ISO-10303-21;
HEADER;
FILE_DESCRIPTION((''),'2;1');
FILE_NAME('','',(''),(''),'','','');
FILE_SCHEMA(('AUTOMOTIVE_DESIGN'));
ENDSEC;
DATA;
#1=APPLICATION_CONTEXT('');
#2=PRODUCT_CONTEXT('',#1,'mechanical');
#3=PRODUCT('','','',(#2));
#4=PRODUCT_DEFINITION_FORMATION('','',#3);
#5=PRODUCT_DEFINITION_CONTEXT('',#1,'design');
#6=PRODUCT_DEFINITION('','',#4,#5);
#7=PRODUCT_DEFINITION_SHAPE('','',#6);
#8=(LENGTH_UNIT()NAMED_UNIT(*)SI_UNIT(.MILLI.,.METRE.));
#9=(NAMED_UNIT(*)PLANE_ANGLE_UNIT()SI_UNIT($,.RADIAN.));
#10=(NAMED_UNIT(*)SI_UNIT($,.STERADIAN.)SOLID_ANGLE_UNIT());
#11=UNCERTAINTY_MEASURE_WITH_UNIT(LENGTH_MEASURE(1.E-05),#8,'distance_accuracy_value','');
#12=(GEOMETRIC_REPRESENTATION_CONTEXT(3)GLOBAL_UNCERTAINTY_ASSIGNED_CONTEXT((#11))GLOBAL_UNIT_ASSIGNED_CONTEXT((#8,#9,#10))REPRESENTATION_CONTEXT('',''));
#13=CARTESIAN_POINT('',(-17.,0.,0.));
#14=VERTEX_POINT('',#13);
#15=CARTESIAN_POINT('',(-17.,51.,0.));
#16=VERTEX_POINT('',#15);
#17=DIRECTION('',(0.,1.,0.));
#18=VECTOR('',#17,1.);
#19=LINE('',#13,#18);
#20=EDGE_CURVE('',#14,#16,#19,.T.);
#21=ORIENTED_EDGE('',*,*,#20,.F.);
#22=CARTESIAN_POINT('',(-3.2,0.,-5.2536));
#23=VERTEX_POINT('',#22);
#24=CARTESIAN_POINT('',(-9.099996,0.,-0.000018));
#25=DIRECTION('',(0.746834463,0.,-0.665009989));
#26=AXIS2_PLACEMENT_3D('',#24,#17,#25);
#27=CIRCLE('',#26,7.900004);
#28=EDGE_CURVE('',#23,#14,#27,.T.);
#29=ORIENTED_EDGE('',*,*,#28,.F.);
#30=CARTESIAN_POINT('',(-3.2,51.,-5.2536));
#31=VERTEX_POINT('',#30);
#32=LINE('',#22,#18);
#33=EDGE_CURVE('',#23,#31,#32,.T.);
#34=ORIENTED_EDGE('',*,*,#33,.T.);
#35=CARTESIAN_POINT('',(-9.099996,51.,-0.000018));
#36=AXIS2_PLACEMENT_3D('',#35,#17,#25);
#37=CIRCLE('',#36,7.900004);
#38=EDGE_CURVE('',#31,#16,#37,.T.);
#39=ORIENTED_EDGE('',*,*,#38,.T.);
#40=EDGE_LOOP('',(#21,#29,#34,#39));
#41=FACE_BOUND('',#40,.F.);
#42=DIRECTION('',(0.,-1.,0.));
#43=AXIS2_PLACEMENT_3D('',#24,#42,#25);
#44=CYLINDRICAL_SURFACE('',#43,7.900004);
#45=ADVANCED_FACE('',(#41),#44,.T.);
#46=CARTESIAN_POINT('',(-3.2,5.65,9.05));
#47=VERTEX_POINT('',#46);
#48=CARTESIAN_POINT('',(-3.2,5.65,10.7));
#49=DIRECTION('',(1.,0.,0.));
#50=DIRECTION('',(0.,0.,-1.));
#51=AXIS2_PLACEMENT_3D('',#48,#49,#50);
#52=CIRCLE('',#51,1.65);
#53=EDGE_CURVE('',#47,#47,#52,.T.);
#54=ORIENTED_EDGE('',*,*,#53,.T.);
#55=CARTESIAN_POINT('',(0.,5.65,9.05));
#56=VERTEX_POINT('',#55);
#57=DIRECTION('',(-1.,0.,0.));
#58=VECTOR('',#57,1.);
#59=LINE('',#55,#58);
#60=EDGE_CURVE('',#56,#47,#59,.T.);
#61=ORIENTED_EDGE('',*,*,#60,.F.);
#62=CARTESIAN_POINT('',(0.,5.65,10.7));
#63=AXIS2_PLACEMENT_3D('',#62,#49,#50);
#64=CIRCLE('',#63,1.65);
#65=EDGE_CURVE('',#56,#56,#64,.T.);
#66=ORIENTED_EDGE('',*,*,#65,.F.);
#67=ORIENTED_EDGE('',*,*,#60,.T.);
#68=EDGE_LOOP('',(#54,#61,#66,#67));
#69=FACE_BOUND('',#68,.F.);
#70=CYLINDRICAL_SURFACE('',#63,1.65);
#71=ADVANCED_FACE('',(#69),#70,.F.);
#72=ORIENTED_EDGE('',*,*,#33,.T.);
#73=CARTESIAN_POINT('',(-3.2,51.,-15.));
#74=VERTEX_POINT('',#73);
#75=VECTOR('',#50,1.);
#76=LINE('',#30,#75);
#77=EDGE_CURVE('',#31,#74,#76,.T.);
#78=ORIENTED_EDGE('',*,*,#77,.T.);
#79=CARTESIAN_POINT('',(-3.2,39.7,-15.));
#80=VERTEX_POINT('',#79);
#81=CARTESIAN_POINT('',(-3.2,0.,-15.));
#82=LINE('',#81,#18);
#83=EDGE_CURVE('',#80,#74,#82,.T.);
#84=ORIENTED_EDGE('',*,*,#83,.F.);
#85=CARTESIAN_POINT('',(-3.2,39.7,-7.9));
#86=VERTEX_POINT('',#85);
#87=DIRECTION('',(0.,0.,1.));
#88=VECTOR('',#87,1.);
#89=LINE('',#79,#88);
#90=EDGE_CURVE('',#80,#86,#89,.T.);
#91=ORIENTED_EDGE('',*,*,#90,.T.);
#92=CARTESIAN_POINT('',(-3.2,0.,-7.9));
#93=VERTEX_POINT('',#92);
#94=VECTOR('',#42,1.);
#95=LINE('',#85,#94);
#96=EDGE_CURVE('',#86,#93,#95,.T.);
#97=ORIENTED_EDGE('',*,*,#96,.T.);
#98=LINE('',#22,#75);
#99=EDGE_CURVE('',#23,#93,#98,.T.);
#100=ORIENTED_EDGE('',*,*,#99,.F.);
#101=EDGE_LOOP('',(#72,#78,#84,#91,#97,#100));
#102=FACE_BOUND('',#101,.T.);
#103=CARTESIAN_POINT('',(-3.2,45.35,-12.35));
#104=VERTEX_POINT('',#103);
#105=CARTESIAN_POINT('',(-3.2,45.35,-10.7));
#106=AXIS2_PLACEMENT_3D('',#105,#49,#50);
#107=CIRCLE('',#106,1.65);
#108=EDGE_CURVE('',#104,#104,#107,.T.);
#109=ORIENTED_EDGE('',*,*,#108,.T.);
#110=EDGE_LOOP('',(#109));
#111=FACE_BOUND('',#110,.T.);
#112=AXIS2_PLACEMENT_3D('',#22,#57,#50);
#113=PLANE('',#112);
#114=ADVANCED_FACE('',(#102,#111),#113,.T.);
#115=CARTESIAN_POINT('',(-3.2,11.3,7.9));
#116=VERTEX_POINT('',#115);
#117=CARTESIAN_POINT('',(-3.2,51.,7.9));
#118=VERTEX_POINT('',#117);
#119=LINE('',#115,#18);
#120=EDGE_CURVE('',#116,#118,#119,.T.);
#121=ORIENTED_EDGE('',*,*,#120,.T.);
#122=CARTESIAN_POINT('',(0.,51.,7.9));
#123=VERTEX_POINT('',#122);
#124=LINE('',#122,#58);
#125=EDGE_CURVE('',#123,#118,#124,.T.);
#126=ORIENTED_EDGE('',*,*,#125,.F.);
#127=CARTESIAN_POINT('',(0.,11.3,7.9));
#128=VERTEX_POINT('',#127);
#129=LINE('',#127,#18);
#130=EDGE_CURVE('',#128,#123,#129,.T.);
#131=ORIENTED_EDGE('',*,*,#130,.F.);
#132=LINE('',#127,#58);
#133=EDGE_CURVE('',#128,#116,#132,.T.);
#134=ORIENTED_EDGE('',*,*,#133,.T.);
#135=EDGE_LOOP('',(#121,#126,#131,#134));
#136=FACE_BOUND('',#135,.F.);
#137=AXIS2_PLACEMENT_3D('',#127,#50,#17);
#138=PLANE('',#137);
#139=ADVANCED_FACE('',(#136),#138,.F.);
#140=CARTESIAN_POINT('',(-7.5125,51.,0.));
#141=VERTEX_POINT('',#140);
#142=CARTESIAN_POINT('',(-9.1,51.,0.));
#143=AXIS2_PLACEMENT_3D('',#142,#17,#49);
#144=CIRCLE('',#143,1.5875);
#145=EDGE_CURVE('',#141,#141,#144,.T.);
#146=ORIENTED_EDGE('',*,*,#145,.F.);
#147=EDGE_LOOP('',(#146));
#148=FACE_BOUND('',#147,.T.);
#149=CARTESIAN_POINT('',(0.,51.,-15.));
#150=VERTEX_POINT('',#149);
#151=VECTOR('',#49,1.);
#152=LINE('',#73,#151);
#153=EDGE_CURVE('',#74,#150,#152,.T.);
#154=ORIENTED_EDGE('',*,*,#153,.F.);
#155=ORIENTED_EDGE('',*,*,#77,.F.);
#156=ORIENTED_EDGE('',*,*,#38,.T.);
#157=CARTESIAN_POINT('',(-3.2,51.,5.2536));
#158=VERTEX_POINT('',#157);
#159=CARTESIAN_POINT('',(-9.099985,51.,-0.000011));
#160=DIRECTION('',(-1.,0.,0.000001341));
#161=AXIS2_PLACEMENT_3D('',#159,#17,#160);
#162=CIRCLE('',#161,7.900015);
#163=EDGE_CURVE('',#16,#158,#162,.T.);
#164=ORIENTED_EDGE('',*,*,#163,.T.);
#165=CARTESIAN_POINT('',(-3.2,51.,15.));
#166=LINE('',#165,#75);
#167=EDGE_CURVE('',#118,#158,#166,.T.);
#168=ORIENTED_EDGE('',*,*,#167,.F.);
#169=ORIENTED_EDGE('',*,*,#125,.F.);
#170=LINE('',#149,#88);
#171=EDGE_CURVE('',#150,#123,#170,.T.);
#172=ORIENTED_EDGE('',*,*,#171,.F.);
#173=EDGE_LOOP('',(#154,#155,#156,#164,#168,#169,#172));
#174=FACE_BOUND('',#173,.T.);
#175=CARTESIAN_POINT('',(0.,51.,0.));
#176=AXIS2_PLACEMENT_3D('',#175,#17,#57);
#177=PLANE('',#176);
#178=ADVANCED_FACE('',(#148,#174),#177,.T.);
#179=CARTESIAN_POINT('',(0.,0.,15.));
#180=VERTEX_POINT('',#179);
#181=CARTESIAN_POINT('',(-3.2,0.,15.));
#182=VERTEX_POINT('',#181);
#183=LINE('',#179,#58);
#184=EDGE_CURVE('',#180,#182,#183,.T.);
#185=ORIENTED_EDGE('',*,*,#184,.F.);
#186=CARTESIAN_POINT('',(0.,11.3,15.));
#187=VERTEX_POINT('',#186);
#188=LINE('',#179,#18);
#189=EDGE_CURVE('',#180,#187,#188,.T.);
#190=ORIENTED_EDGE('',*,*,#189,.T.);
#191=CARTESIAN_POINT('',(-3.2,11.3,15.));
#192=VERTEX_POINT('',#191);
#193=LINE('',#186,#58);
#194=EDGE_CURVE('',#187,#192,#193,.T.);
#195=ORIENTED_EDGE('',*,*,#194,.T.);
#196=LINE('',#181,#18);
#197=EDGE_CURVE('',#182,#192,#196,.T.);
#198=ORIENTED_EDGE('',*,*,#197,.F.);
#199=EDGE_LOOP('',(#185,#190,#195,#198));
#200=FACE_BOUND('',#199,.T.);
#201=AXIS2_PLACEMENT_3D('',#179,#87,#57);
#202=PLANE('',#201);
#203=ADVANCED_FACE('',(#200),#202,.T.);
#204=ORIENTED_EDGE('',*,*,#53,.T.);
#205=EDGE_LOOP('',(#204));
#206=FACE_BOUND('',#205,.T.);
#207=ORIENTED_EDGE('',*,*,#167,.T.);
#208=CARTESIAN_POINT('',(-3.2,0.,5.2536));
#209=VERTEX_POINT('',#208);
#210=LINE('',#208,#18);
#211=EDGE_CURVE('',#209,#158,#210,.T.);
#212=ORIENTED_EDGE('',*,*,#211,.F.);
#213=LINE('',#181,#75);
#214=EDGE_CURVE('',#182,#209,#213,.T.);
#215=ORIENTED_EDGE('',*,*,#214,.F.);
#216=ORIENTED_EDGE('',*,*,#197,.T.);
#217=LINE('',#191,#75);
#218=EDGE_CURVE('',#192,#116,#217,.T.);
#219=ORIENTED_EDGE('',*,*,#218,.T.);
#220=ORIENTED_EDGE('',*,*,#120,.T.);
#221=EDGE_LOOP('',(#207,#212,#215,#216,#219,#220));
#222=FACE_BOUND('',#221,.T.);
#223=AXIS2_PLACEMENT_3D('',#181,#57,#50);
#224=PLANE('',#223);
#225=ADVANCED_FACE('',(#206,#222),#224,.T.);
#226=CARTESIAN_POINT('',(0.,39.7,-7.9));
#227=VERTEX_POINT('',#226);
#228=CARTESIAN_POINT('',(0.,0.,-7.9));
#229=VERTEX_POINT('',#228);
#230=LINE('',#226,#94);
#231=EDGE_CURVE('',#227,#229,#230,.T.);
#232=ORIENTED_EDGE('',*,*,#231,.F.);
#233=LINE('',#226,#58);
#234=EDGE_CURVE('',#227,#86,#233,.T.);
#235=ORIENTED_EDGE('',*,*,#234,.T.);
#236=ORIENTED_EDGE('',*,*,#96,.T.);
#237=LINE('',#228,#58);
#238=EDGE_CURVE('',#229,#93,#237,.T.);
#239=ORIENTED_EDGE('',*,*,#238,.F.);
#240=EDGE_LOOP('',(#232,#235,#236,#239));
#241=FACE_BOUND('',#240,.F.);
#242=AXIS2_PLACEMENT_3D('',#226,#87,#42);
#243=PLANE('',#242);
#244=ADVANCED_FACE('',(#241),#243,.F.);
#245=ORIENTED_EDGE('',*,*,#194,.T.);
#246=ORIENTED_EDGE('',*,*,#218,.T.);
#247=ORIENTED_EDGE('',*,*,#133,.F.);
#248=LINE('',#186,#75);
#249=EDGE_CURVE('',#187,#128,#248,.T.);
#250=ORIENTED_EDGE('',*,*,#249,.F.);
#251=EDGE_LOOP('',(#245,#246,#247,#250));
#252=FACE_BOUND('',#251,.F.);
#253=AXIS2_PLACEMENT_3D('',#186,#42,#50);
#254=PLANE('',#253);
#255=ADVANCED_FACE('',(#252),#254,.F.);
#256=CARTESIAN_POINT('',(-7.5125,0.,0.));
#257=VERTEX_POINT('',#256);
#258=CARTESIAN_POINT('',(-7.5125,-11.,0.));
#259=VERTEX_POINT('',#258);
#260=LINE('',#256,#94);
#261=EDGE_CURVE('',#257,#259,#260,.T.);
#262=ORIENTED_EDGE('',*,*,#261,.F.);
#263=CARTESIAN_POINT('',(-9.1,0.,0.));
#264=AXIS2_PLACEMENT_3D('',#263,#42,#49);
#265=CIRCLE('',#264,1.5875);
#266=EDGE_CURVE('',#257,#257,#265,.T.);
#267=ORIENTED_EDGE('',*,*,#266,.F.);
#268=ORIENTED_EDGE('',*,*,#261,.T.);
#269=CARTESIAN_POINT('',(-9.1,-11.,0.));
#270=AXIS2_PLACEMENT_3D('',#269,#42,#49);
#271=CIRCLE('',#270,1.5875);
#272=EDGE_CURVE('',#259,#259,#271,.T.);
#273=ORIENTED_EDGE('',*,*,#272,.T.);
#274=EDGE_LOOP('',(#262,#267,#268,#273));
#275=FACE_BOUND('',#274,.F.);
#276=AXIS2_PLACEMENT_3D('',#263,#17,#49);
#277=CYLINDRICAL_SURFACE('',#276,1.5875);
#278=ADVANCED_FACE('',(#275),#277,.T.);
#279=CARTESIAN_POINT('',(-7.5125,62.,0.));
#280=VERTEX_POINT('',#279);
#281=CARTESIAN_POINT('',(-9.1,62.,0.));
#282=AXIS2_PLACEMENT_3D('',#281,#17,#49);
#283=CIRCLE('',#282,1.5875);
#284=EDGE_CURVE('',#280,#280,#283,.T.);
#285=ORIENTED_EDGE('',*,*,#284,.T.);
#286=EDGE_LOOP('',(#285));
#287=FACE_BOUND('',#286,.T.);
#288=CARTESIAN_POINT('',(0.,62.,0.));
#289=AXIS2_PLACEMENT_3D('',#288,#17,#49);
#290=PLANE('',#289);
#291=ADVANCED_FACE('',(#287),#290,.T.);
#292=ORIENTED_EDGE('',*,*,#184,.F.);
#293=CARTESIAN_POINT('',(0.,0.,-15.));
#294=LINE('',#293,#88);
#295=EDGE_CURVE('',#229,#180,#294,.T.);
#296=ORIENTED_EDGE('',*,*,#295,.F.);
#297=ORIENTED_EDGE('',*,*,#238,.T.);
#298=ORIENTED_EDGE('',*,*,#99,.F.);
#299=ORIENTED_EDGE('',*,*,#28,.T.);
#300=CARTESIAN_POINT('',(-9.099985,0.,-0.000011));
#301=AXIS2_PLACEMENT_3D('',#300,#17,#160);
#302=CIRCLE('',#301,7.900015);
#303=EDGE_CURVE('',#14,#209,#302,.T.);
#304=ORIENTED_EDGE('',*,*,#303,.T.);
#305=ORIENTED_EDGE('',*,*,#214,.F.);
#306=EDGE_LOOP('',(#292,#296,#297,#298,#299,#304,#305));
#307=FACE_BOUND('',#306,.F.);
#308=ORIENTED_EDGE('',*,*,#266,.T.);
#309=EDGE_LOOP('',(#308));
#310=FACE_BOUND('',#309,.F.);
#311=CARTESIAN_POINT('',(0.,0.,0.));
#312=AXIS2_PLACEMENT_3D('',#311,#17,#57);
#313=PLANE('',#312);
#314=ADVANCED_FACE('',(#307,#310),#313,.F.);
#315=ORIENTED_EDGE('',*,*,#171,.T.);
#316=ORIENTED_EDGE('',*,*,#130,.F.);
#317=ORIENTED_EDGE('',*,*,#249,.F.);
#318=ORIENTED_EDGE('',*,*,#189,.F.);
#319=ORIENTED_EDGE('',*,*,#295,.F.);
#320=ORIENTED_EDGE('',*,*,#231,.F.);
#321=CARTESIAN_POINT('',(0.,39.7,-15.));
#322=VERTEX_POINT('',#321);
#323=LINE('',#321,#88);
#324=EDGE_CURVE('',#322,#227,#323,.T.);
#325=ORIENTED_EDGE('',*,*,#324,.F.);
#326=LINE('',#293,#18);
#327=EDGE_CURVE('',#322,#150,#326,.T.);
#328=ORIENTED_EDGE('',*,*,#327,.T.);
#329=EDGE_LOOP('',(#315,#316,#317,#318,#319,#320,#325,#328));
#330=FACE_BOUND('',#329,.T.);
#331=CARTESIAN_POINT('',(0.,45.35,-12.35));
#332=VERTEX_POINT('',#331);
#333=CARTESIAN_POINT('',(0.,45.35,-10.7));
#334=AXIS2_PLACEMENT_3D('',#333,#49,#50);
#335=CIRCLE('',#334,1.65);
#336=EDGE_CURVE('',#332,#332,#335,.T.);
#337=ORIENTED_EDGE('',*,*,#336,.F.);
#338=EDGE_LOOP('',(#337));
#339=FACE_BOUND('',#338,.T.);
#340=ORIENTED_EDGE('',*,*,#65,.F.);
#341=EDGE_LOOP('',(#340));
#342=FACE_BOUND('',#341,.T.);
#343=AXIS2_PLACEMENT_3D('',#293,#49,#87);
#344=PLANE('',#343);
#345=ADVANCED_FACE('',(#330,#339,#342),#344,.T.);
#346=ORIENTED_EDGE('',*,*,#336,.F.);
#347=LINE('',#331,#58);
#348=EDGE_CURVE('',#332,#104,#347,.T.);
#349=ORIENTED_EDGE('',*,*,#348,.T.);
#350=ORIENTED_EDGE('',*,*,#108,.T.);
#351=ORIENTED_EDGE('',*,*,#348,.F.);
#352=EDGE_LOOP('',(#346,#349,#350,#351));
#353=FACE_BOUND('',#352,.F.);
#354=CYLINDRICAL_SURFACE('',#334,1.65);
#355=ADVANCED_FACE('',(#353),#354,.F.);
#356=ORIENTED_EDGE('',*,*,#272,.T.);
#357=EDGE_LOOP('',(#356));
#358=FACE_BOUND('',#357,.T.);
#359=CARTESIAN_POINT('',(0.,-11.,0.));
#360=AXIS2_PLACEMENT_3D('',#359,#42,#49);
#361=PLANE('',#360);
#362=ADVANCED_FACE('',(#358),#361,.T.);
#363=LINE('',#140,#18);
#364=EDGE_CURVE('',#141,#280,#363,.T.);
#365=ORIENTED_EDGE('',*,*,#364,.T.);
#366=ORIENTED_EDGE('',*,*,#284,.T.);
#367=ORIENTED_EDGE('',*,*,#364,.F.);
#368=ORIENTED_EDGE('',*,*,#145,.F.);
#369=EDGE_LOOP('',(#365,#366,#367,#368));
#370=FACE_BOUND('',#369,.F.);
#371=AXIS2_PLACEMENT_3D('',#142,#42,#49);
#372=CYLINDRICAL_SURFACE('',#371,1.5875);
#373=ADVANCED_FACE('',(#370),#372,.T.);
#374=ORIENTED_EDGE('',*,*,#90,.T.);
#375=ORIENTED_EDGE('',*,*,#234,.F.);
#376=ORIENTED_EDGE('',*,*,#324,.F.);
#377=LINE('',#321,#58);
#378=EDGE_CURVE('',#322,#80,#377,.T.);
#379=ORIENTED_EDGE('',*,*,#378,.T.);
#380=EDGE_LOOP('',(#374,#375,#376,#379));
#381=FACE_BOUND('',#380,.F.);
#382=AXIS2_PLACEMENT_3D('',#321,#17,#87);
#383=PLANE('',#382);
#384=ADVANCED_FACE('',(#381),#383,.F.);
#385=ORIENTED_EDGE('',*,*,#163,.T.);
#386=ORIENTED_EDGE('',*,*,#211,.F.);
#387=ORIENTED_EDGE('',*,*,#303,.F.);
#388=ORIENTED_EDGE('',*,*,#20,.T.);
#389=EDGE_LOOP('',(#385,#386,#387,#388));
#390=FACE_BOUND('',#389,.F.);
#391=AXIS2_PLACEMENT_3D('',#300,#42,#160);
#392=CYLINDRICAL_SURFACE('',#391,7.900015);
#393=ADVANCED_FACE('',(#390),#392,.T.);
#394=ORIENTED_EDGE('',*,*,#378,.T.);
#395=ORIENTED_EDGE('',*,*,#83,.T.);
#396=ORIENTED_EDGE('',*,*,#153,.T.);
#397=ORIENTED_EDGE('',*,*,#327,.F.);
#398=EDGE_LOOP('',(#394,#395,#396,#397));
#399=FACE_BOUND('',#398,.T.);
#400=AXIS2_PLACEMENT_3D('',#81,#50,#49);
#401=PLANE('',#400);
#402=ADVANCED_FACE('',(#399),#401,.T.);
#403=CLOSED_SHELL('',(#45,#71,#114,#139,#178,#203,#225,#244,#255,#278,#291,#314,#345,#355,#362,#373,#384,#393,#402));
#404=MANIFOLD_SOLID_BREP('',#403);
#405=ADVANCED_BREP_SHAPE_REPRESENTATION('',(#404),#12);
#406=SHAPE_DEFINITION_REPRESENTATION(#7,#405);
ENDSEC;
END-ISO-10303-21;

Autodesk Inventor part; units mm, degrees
ref_plane "YZ Plane" through (0, 0, 0) normal (1, 0, 0) x (0, 1, 0)
ref_plane "XZ Plane" through (0, 0, 0) normal (0, 1, 0) x (-1, 0, 0)
ref_plane "XY Plane" through (0, 0, 0) normal (0, 0, 1) x (1, 0, 0)
sketch "Sketch1" plane through (0, 0, 0) normal (0, 1, 0) x (-1, 0, 0)
  arc A0 (3.2, -5.2536) -> (17, 0) centre (9.1, 0) ccw
  line L0 (3.2, -5.2536) -> (3.2, -15)
  line L1 (3.2, -15) -> (0, -15)
  line L2 (0, -15) -> (0, 15)
  line L3 (0, 15) -> (3.2, 15)
  line L4 (3.2, 15) -> (3.2, 5.2536)
  arc A1 (17, 0) -> (3.2, 5.2536) centre (9.1, 0) ccw
  line L5 (9.1, 7.9) -> (9.1, -7.9) construction
  line L6 (3.2, 5.2536) -> (17, 0) construction
  line L7 (3.2, -5.2536) -> (17, 0) construction
  point P0 (0, 0)
  point P1 (0, 0)
  dimension "d0" = 3.2
  dimension "d1" = 30
  dimension "d5" = 15.8
  dimension "d6" = 17
extrude "Extrusion1" add sketch "Sketch1" along normal blind 51
sketch "Sketch2" plane through (0, 0, 15) normal (1, 0, 0) x (0, 0, -1)
  circle A0 centre (25.7, 45.35) radius 1.65
  circle A1 centre (4.3, 5.65) radius 1.65
  line L0 (25.7, 45.35) -> (25.7, 5.65) construction
  line L1 (25.7, 5.65) -> (4.3, 5.65) construction
  line L2 (30, 0) -> (30, 51) projected
  line L3 (0, 0) -> (0, 51) projected
  line L4 (25.7, 45.35) -> (30, 45.35) construction
  line L5 (25.7, 45.35) -> (30, 51) construction
  line L6 (0, 0) -> (4.3, 5.65) construction
  line L7 (4.3, 5.65) -> (0, 5.65) construction
  line L8 (30, 39.7) -> (22.9, 39.7)
  line L9 (22.9, 39.7) -> (22.9, 0)
  line L10 (22.9, 0) -> (30, 0)
  line L11 (0, 11.3) -> (7.1, 11.3)
  line L12 (7.1, 11.3) -> (7.1, 51)
  line L13 (7.1, 51) -> (0, 51)
  line L14 (25.7, 45.35) -> (30, 39.7) construction
  point P0 (15, 0)
  dimension "d9" = 21.4
  dimension "d10" = 39.7
  dimension "d11" = 3.3
  dimension "d12" = 2.8
extrude "Extrusion2" cut sketch "Sketch2" against normal up to surface (3.2 mm away)
sketch "Sketch3" plane through (0, 0, 0) normal (0, -1, 0) x (1, 0, 0)
  arc A0 (-3.2, 5.2536) -> (-3.2, -5.2536) centre (-9.1, 0) ccw projected
  circle A1 centre (-9.1, 0) radius 1.5875
  point P0 (0, 0)
  dimension "d15" = 3.175
extrude "Extrusion3" add sketch "Sketch3" along normal blind 11
sketch "Sketch4" plane through (0, 51, 0) normal (0, 1, 0) x (1, 0, 0)
  arc A0 (-3.2, 5.2536) -> (-3.2, -5.2536) centre (-9.1, 0) ccw construction
  circle A1 centre (-9.1, 0) radius 1.5875
  point P0 (0, 0)
  dimension "d18" = 3.175
extrude "Extrusion4" add sketch "Sketch4" along normal blind 11
properties part number "Power Resistor - HSA50" material "Gold"
